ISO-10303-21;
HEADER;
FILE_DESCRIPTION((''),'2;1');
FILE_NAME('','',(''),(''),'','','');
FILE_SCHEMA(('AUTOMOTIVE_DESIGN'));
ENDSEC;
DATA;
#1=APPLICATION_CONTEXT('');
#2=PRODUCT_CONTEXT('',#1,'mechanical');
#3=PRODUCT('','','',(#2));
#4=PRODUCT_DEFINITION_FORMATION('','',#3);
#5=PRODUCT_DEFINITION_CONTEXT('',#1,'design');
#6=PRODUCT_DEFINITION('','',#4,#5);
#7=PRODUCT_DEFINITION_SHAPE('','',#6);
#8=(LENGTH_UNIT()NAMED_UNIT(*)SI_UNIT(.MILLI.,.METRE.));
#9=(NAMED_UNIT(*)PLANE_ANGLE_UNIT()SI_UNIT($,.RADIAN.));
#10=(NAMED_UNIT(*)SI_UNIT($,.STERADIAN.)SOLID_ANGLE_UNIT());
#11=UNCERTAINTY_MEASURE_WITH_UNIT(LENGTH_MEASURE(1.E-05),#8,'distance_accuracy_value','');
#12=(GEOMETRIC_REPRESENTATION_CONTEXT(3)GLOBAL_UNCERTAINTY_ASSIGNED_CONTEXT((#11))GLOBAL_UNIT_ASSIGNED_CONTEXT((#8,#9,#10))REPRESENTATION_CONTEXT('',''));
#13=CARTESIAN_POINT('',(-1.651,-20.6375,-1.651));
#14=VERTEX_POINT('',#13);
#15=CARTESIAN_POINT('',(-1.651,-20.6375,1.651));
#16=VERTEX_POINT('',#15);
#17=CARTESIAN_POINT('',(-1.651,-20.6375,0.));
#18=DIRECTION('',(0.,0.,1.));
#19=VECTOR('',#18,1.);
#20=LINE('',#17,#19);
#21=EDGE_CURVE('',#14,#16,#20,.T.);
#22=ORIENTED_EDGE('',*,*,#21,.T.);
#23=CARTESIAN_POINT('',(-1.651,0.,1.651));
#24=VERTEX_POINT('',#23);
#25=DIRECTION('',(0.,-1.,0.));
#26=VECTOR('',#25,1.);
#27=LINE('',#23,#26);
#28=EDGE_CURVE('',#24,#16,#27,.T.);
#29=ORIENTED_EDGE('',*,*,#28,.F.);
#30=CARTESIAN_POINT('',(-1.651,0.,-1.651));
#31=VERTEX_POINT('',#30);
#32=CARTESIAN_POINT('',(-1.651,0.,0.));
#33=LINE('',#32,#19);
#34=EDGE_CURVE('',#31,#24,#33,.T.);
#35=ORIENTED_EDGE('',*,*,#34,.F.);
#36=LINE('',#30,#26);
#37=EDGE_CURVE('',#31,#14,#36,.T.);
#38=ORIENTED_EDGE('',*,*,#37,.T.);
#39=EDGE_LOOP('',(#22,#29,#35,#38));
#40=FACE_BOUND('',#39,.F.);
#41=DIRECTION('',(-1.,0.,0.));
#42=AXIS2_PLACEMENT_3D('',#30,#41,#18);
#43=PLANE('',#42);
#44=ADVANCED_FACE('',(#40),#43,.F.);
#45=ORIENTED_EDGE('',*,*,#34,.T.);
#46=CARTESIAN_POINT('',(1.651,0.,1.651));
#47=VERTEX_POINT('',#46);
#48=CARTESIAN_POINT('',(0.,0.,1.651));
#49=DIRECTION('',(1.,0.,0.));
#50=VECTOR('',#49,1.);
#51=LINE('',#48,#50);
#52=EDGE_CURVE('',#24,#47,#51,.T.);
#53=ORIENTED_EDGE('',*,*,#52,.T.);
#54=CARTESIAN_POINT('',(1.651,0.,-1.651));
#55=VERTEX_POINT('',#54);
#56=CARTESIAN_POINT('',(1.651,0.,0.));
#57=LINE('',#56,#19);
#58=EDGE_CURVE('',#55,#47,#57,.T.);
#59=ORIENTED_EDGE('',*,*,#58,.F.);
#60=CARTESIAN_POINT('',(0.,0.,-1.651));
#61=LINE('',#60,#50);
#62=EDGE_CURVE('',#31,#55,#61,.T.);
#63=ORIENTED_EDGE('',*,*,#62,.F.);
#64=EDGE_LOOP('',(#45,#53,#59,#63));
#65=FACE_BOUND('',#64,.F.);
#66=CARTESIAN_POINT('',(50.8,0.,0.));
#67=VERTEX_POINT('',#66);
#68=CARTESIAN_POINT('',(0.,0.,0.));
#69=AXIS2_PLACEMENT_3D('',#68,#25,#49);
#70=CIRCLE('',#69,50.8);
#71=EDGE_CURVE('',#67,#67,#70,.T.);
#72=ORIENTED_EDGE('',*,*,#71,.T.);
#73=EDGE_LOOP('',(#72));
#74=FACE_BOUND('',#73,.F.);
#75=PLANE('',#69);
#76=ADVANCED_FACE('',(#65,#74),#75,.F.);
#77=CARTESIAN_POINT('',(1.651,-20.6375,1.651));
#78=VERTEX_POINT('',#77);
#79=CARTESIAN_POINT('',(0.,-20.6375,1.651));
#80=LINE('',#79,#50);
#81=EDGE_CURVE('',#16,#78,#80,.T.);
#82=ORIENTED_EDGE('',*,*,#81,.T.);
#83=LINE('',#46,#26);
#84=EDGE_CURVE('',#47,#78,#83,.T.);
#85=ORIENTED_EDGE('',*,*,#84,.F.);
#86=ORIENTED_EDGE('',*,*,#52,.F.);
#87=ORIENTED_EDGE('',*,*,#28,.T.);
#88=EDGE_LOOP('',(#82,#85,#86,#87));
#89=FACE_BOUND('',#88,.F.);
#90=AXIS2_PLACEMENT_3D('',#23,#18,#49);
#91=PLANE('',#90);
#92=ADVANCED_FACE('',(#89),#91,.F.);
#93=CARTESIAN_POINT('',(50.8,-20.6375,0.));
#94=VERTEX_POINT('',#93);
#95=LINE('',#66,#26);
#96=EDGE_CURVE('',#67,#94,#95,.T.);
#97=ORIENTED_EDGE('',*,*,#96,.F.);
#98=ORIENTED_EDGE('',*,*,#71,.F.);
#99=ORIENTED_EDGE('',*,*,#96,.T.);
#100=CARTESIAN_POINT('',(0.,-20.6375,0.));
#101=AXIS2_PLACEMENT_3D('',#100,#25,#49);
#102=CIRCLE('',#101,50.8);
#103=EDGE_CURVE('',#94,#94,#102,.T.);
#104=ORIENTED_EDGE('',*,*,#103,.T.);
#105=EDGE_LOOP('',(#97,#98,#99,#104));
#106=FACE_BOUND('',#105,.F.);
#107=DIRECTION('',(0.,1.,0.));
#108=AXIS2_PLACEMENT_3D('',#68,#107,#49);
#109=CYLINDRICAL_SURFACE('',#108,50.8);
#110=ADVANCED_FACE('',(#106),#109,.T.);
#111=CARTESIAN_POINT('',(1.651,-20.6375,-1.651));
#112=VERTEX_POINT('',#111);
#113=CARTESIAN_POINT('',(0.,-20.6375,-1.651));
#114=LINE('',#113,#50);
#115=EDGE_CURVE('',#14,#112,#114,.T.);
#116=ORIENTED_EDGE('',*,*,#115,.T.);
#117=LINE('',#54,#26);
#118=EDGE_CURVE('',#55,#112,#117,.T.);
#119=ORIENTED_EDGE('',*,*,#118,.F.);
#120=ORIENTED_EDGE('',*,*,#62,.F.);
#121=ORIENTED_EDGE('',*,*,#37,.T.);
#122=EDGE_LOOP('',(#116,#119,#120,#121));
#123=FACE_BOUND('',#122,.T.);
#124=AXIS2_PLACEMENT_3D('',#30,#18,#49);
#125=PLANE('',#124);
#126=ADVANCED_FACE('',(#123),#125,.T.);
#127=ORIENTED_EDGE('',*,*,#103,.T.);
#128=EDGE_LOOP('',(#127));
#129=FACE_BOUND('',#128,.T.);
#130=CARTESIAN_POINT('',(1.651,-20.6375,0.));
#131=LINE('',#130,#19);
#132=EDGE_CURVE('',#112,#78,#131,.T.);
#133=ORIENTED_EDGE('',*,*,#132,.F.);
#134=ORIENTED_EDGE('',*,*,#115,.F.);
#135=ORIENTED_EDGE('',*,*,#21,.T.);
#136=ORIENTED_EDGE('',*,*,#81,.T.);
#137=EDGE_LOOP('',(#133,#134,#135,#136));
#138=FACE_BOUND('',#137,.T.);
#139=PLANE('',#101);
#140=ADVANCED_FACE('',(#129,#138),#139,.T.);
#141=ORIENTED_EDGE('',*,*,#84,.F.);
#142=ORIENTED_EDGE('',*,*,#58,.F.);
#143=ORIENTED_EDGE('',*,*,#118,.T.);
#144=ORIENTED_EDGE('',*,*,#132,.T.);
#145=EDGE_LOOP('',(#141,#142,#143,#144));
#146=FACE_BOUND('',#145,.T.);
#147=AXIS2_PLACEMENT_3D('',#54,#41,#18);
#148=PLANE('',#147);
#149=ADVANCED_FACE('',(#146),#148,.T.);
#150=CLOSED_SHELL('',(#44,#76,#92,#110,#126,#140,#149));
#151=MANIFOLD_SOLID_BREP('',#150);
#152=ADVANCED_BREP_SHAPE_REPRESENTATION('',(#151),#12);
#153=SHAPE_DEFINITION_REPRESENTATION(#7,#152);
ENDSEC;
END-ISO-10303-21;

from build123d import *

# Parameters (mm, degrees)
F0_R     = 50.8
F0_W     = 3.302
F0_H     = 3.302
F1_DEPTH = 20.6375


with BuildPart() as f1:
    # F0 (on Front) → F1 (new body)
    with BuildSketch(Plane.XZ):
        Circle(F0_R)
        Rectangle(F0_W, F0_H, mode=Mode.SUBTRACT)
    extrude(amount=F1_DEPTH)


solid = f1.part
